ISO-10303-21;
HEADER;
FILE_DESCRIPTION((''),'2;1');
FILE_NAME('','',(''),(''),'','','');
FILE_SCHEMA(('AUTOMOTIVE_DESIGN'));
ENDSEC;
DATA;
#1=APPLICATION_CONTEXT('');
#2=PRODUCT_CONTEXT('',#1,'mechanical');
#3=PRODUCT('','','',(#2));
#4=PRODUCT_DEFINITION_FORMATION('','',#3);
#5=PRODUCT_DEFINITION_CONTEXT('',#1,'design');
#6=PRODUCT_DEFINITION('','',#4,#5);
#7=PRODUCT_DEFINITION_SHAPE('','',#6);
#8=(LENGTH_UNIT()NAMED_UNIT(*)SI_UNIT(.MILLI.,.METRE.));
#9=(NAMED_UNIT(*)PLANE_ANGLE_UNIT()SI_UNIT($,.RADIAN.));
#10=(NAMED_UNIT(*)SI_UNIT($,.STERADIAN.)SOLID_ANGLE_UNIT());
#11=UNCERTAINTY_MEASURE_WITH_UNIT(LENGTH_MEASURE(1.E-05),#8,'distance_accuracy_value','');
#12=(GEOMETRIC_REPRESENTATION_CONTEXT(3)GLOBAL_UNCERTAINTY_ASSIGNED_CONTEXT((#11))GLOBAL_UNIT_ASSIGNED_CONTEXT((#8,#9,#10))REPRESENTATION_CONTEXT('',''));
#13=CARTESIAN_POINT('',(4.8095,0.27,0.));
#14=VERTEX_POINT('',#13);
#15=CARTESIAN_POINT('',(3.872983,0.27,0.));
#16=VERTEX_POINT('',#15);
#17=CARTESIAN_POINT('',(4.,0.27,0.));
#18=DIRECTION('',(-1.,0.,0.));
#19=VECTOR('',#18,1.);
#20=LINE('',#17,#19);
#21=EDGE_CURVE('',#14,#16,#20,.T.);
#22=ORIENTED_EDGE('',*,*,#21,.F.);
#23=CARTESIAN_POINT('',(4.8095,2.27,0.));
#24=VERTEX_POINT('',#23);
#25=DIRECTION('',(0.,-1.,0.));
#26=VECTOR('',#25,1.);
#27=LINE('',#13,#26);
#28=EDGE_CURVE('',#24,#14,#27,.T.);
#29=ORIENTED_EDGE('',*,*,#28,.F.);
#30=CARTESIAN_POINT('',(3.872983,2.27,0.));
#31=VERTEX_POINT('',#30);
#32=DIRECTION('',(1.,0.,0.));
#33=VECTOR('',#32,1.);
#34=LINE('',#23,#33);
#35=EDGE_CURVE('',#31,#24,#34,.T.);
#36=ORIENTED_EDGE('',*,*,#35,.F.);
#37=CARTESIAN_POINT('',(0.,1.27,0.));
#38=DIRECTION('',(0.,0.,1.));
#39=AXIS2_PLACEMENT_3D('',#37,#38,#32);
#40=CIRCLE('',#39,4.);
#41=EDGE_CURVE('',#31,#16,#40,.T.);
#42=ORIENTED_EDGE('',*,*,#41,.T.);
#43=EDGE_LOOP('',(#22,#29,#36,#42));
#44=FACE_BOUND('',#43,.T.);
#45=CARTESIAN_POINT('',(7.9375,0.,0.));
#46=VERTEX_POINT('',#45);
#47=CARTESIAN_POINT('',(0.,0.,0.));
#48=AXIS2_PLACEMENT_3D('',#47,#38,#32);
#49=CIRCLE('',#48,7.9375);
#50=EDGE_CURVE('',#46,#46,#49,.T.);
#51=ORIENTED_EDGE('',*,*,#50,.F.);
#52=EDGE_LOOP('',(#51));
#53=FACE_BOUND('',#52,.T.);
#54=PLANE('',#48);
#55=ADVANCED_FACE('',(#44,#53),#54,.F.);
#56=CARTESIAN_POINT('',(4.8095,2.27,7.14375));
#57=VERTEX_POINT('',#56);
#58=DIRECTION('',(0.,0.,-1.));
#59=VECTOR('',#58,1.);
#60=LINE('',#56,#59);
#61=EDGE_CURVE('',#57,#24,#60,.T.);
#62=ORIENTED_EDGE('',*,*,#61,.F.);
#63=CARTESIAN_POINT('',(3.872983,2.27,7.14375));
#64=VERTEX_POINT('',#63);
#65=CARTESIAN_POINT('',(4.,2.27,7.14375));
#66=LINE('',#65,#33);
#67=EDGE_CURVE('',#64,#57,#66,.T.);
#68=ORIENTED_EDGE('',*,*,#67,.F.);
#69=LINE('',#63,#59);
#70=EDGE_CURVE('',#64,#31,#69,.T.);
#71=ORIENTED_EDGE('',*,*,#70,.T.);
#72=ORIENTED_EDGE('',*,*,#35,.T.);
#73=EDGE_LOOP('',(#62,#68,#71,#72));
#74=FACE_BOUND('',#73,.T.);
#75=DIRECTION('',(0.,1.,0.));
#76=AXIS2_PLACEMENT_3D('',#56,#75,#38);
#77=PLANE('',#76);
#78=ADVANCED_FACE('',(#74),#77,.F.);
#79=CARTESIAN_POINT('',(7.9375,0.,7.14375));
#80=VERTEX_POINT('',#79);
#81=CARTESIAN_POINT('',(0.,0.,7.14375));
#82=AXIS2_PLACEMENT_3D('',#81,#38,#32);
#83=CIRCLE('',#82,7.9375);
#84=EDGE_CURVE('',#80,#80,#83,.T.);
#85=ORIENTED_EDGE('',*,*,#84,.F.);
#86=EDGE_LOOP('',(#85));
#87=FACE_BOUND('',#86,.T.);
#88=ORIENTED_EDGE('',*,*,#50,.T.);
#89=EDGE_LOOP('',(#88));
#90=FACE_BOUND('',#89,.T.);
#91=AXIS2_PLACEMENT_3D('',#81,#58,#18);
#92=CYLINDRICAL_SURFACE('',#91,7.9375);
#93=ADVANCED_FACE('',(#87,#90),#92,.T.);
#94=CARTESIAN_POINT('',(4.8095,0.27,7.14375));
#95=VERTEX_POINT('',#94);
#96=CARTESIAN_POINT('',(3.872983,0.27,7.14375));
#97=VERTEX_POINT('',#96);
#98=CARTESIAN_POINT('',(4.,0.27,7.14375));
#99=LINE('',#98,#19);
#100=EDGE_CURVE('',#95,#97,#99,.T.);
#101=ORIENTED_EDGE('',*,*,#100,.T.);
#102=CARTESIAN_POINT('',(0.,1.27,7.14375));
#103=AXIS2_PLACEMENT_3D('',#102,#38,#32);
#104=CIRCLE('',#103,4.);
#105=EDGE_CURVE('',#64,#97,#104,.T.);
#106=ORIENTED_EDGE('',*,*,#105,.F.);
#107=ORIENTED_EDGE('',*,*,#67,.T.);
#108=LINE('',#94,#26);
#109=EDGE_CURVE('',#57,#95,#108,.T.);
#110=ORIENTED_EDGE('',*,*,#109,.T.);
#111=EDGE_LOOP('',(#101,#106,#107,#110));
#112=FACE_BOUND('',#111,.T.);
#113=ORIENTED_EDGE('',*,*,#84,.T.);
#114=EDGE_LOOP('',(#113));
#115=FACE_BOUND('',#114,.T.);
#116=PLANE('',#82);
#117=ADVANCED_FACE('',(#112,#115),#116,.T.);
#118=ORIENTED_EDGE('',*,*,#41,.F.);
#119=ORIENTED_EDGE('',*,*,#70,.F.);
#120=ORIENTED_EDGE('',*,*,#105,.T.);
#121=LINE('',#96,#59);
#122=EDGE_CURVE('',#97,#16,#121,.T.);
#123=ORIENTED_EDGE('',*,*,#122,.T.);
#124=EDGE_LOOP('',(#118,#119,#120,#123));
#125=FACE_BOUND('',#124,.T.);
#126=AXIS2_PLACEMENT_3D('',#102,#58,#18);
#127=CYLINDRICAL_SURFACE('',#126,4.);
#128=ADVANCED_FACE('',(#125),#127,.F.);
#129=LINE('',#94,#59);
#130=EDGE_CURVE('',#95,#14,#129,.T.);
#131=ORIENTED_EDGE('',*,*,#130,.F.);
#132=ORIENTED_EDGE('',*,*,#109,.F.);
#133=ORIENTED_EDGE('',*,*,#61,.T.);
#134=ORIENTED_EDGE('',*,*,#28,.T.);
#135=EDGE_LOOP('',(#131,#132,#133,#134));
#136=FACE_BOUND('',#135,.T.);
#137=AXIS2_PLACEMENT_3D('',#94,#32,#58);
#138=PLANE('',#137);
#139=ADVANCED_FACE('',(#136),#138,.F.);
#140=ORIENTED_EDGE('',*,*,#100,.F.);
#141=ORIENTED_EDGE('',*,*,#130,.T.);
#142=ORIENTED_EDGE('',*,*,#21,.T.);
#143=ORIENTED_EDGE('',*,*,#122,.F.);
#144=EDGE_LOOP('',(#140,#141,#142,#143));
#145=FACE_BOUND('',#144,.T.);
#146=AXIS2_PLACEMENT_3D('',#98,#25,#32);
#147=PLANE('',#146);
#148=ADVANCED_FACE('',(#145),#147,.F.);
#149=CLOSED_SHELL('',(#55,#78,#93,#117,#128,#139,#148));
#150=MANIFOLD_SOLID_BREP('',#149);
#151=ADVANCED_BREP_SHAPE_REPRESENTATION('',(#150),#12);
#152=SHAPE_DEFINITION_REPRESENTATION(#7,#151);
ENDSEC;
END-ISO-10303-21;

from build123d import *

# Parameters (mm, degrees)
SKETCH1_R           = 7.9375
SKETCH1_R_2         = 4
BOSS_EXTRUDE1_DEPTH = 7.14375
CUT_EXTRUDE2_DEPTH  = 14.3056746


with BuildPart() as part:
    # Sketch1 → Boss-Extrude1 (new body)
    with BuildSketch(Plane.XY):
        Circle(SKETCH1_R)
        with Locations((0, 1.27)):
            Circle(SKETCH1_R_2, mode=Mode.SUBTRACT)
    extrude(amount=BOSS_EXTRUDE1_DEPTH)

    # Sketch8 → Cut-Extrude2 (cut, through all)
    with BuildSketch(Plane(origin=(0, 0, 0), x_dir=(-1, 0, 0), z_dir=(0, 0, -1))):
        Polygon((-4, 0.27), (-4.809500032, 0.27), (-4.809500032, 2.27), (-4, 2.27), (-3.872983346, 2.27), (-3.872983346, 0.27), align=None)
    extrude(amount=-CUT_EXTRUDE2_DEPTH, mode=Mode.SUBTRACT)


solid = part.part
